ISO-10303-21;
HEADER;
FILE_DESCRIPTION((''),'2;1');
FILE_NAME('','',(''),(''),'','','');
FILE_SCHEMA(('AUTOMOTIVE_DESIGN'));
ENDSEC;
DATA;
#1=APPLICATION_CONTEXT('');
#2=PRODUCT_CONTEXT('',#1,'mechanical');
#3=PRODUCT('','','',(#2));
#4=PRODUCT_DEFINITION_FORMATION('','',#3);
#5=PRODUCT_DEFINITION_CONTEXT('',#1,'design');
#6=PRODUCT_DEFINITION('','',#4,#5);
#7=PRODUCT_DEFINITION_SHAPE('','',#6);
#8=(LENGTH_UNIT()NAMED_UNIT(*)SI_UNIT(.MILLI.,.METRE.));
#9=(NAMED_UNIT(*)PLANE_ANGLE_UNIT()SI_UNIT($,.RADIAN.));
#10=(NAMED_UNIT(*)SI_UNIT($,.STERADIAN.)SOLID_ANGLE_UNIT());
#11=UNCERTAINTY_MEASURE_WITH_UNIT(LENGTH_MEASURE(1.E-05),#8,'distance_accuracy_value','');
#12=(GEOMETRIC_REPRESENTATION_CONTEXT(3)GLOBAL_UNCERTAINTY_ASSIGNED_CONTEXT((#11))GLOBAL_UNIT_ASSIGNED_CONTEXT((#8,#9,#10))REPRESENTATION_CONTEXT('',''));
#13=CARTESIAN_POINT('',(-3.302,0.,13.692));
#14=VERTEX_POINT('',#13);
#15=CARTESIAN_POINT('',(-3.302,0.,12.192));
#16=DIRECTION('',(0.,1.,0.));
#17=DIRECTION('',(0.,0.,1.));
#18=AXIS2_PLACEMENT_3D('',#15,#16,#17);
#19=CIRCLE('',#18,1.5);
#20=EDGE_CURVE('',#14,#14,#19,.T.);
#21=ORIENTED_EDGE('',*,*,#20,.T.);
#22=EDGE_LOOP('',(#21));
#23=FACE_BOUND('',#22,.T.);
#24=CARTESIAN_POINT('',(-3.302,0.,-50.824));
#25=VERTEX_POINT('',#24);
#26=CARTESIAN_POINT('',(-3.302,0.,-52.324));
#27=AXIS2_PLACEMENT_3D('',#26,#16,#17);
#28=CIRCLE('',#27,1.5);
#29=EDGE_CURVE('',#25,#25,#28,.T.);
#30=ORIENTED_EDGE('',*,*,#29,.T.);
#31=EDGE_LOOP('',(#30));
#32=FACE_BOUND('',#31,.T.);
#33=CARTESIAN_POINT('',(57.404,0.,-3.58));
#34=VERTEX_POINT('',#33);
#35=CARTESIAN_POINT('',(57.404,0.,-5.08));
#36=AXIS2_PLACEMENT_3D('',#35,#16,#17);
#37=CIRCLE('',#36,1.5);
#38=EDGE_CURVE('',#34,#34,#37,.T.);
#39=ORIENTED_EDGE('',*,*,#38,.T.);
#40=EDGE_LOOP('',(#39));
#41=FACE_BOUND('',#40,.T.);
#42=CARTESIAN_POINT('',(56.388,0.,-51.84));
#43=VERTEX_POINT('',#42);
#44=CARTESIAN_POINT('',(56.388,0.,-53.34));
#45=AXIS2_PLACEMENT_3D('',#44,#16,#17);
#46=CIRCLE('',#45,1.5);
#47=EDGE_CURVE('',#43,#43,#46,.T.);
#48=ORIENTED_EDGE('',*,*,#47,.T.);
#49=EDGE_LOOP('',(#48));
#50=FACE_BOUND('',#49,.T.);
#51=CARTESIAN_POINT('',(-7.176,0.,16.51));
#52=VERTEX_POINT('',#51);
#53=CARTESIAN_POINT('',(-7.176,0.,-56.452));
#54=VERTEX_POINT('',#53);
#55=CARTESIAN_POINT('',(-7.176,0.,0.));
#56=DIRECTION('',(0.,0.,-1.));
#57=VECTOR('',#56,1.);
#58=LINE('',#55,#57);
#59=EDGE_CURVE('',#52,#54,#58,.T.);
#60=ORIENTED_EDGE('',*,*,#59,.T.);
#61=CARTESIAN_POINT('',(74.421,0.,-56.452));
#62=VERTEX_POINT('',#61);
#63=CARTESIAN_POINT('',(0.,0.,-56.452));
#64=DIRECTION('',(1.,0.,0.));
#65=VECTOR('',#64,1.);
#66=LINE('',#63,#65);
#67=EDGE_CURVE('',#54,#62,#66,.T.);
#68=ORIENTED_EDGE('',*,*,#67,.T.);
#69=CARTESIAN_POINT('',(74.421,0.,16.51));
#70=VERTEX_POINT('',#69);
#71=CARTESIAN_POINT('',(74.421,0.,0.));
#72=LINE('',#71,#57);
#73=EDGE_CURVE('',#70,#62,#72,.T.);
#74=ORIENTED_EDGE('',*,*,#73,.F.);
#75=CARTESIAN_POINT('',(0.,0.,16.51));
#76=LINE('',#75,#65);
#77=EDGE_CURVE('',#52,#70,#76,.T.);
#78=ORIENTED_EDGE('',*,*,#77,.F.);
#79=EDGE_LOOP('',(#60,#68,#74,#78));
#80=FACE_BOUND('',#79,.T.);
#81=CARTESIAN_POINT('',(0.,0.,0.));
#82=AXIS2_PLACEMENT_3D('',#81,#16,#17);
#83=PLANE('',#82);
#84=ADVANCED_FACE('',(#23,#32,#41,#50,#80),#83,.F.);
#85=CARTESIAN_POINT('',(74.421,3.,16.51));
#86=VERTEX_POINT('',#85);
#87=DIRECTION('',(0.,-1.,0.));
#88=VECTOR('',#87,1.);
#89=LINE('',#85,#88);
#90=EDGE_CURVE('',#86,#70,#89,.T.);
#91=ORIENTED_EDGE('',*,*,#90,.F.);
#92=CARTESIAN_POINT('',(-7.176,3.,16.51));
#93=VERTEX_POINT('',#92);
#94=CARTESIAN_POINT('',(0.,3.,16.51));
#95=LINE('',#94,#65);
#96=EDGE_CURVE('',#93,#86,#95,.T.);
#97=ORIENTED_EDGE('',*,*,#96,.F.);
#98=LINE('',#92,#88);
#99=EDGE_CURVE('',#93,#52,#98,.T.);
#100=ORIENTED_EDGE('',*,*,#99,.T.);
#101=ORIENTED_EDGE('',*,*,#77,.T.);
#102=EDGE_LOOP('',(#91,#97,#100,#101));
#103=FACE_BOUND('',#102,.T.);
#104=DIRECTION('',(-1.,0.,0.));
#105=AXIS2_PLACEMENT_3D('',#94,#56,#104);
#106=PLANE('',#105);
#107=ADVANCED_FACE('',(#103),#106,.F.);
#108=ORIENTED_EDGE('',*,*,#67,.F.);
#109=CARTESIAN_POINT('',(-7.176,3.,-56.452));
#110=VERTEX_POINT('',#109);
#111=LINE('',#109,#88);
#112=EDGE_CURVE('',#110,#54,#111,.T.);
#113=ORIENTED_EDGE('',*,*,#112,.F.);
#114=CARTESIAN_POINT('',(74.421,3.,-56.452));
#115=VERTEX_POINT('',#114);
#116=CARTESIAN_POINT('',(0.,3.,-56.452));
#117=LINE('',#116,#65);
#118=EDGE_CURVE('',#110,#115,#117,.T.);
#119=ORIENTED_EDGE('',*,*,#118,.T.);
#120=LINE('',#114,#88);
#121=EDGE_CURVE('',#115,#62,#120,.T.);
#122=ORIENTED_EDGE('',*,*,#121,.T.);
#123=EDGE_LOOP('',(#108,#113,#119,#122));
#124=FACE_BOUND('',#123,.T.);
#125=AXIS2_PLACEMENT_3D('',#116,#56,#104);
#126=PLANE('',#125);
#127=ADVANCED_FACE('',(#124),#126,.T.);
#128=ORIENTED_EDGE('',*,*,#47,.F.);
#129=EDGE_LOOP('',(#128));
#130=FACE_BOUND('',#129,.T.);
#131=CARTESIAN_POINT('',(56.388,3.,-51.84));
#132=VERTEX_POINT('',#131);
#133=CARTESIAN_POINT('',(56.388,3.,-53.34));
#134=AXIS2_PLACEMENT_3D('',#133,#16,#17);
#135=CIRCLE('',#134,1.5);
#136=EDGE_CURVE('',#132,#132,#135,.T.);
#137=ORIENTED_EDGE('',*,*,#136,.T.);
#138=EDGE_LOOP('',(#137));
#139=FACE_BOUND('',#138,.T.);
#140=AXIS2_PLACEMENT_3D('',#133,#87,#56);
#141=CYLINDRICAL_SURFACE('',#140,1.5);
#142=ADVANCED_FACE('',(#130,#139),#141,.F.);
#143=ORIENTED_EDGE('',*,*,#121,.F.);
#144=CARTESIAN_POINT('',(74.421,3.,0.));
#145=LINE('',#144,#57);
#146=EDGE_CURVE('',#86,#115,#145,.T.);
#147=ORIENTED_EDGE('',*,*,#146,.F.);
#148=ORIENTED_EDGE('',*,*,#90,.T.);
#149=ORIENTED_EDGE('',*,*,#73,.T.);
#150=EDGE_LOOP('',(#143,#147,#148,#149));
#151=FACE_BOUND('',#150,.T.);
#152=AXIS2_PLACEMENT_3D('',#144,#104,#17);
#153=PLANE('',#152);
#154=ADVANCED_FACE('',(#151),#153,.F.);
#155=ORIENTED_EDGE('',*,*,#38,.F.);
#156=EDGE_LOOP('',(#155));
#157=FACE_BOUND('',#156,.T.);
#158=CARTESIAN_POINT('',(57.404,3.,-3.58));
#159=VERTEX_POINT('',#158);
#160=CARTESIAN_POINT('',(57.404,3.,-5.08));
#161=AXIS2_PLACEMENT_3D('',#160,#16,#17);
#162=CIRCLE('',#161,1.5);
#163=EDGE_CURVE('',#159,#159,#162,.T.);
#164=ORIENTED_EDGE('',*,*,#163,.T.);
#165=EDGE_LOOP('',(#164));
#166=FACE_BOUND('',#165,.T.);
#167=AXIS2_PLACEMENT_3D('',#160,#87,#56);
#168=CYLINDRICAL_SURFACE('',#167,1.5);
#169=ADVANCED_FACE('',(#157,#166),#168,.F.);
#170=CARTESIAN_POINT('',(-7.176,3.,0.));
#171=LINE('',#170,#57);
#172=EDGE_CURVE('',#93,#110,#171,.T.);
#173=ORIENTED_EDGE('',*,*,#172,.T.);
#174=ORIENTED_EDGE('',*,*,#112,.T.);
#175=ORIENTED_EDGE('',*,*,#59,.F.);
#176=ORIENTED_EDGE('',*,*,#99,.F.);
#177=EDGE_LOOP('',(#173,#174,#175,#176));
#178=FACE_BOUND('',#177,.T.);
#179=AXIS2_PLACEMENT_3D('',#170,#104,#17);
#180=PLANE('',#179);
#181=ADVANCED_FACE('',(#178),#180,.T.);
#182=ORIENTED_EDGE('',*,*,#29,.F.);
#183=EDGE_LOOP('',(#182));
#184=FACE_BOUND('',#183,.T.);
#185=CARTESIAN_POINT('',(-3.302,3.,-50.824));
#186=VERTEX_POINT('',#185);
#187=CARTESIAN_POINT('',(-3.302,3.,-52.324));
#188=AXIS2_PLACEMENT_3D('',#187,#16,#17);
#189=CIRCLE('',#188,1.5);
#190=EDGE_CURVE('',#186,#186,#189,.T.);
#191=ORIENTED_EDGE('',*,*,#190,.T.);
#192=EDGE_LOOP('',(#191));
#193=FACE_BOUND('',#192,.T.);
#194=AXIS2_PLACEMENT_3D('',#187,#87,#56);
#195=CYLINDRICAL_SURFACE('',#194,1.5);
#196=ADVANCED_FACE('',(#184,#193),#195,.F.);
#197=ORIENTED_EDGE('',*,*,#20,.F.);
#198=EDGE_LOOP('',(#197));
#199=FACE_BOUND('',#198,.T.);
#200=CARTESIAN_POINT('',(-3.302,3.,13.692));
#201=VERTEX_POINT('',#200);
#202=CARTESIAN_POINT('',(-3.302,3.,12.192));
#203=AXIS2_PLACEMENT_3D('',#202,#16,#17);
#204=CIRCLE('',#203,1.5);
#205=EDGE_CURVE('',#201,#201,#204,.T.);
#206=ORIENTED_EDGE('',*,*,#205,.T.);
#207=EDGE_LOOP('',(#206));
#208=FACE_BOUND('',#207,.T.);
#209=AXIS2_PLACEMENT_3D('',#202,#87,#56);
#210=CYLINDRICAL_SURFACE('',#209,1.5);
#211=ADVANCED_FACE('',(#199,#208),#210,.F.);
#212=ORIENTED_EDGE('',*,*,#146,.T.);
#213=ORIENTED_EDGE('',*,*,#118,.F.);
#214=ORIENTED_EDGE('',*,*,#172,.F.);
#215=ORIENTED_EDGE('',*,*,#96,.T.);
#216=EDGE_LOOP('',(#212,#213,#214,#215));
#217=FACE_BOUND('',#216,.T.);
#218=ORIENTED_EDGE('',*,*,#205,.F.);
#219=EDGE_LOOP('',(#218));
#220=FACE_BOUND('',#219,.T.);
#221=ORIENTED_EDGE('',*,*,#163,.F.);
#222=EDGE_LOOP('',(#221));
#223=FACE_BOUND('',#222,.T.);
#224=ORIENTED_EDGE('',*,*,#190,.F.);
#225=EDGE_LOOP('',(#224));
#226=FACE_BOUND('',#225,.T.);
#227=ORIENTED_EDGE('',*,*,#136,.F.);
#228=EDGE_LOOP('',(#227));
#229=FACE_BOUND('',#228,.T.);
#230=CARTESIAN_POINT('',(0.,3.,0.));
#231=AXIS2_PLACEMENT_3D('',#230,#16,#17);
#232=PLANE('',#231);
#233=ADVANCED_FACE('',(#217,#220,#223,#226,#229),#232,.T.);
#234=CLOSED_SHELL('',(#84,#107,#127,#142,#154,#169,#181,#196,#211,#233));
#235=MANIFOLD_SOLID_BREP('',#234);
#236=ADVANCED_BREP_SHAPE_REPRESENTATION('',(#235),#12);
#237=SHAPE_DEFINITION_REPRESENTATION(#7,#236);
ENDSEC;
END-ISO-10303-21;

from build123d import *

# Parameters (mm, degrees)
SKETCH_1_W      = 81.597
SKETCH_1_H      = 72.962
SKETCH_1_R      = 1.5
EXTRUDE_1_DEPTH = 3


with BuildPart() as part:
    # 草图1 → 凸台-拉伸1 (new body)
    with BuildSketch(Plane(origin=(0, 0, 0), x_dir=(1, 0, 0), z_dir=(0, 1, 0))):
        with Locations((33.6225, 19.971)):
            Rectangle(SKETCH_1_W, SKETCH_1_H)
        with Locations(Location((-3.302, -12.192, 0), (0, 0, 270))):
            Circle(SKETCH_1_R, mode=Mode.SUBTRACT)
        with Locations(Location((-3.302, 52.324, 0), (0, 0, 270))):
            Circle(SKETCH_1_R, mode=Mode.SUBTRACT)
        with Locations(Location((56.388, 53.34, 0), (0, 0, 270))):
            Circle(SKETCH_1_R, mode=Mode.SUBTRACT)
        with Locations(Location((57.404, 5.08, 0), (0, 0, 270))):
            Circle(SKETCH_1_R, mode=Mode.SUBTRACT)
    extrude(amount=EXTRUDE_1_DEPTH)


solid = part.part
